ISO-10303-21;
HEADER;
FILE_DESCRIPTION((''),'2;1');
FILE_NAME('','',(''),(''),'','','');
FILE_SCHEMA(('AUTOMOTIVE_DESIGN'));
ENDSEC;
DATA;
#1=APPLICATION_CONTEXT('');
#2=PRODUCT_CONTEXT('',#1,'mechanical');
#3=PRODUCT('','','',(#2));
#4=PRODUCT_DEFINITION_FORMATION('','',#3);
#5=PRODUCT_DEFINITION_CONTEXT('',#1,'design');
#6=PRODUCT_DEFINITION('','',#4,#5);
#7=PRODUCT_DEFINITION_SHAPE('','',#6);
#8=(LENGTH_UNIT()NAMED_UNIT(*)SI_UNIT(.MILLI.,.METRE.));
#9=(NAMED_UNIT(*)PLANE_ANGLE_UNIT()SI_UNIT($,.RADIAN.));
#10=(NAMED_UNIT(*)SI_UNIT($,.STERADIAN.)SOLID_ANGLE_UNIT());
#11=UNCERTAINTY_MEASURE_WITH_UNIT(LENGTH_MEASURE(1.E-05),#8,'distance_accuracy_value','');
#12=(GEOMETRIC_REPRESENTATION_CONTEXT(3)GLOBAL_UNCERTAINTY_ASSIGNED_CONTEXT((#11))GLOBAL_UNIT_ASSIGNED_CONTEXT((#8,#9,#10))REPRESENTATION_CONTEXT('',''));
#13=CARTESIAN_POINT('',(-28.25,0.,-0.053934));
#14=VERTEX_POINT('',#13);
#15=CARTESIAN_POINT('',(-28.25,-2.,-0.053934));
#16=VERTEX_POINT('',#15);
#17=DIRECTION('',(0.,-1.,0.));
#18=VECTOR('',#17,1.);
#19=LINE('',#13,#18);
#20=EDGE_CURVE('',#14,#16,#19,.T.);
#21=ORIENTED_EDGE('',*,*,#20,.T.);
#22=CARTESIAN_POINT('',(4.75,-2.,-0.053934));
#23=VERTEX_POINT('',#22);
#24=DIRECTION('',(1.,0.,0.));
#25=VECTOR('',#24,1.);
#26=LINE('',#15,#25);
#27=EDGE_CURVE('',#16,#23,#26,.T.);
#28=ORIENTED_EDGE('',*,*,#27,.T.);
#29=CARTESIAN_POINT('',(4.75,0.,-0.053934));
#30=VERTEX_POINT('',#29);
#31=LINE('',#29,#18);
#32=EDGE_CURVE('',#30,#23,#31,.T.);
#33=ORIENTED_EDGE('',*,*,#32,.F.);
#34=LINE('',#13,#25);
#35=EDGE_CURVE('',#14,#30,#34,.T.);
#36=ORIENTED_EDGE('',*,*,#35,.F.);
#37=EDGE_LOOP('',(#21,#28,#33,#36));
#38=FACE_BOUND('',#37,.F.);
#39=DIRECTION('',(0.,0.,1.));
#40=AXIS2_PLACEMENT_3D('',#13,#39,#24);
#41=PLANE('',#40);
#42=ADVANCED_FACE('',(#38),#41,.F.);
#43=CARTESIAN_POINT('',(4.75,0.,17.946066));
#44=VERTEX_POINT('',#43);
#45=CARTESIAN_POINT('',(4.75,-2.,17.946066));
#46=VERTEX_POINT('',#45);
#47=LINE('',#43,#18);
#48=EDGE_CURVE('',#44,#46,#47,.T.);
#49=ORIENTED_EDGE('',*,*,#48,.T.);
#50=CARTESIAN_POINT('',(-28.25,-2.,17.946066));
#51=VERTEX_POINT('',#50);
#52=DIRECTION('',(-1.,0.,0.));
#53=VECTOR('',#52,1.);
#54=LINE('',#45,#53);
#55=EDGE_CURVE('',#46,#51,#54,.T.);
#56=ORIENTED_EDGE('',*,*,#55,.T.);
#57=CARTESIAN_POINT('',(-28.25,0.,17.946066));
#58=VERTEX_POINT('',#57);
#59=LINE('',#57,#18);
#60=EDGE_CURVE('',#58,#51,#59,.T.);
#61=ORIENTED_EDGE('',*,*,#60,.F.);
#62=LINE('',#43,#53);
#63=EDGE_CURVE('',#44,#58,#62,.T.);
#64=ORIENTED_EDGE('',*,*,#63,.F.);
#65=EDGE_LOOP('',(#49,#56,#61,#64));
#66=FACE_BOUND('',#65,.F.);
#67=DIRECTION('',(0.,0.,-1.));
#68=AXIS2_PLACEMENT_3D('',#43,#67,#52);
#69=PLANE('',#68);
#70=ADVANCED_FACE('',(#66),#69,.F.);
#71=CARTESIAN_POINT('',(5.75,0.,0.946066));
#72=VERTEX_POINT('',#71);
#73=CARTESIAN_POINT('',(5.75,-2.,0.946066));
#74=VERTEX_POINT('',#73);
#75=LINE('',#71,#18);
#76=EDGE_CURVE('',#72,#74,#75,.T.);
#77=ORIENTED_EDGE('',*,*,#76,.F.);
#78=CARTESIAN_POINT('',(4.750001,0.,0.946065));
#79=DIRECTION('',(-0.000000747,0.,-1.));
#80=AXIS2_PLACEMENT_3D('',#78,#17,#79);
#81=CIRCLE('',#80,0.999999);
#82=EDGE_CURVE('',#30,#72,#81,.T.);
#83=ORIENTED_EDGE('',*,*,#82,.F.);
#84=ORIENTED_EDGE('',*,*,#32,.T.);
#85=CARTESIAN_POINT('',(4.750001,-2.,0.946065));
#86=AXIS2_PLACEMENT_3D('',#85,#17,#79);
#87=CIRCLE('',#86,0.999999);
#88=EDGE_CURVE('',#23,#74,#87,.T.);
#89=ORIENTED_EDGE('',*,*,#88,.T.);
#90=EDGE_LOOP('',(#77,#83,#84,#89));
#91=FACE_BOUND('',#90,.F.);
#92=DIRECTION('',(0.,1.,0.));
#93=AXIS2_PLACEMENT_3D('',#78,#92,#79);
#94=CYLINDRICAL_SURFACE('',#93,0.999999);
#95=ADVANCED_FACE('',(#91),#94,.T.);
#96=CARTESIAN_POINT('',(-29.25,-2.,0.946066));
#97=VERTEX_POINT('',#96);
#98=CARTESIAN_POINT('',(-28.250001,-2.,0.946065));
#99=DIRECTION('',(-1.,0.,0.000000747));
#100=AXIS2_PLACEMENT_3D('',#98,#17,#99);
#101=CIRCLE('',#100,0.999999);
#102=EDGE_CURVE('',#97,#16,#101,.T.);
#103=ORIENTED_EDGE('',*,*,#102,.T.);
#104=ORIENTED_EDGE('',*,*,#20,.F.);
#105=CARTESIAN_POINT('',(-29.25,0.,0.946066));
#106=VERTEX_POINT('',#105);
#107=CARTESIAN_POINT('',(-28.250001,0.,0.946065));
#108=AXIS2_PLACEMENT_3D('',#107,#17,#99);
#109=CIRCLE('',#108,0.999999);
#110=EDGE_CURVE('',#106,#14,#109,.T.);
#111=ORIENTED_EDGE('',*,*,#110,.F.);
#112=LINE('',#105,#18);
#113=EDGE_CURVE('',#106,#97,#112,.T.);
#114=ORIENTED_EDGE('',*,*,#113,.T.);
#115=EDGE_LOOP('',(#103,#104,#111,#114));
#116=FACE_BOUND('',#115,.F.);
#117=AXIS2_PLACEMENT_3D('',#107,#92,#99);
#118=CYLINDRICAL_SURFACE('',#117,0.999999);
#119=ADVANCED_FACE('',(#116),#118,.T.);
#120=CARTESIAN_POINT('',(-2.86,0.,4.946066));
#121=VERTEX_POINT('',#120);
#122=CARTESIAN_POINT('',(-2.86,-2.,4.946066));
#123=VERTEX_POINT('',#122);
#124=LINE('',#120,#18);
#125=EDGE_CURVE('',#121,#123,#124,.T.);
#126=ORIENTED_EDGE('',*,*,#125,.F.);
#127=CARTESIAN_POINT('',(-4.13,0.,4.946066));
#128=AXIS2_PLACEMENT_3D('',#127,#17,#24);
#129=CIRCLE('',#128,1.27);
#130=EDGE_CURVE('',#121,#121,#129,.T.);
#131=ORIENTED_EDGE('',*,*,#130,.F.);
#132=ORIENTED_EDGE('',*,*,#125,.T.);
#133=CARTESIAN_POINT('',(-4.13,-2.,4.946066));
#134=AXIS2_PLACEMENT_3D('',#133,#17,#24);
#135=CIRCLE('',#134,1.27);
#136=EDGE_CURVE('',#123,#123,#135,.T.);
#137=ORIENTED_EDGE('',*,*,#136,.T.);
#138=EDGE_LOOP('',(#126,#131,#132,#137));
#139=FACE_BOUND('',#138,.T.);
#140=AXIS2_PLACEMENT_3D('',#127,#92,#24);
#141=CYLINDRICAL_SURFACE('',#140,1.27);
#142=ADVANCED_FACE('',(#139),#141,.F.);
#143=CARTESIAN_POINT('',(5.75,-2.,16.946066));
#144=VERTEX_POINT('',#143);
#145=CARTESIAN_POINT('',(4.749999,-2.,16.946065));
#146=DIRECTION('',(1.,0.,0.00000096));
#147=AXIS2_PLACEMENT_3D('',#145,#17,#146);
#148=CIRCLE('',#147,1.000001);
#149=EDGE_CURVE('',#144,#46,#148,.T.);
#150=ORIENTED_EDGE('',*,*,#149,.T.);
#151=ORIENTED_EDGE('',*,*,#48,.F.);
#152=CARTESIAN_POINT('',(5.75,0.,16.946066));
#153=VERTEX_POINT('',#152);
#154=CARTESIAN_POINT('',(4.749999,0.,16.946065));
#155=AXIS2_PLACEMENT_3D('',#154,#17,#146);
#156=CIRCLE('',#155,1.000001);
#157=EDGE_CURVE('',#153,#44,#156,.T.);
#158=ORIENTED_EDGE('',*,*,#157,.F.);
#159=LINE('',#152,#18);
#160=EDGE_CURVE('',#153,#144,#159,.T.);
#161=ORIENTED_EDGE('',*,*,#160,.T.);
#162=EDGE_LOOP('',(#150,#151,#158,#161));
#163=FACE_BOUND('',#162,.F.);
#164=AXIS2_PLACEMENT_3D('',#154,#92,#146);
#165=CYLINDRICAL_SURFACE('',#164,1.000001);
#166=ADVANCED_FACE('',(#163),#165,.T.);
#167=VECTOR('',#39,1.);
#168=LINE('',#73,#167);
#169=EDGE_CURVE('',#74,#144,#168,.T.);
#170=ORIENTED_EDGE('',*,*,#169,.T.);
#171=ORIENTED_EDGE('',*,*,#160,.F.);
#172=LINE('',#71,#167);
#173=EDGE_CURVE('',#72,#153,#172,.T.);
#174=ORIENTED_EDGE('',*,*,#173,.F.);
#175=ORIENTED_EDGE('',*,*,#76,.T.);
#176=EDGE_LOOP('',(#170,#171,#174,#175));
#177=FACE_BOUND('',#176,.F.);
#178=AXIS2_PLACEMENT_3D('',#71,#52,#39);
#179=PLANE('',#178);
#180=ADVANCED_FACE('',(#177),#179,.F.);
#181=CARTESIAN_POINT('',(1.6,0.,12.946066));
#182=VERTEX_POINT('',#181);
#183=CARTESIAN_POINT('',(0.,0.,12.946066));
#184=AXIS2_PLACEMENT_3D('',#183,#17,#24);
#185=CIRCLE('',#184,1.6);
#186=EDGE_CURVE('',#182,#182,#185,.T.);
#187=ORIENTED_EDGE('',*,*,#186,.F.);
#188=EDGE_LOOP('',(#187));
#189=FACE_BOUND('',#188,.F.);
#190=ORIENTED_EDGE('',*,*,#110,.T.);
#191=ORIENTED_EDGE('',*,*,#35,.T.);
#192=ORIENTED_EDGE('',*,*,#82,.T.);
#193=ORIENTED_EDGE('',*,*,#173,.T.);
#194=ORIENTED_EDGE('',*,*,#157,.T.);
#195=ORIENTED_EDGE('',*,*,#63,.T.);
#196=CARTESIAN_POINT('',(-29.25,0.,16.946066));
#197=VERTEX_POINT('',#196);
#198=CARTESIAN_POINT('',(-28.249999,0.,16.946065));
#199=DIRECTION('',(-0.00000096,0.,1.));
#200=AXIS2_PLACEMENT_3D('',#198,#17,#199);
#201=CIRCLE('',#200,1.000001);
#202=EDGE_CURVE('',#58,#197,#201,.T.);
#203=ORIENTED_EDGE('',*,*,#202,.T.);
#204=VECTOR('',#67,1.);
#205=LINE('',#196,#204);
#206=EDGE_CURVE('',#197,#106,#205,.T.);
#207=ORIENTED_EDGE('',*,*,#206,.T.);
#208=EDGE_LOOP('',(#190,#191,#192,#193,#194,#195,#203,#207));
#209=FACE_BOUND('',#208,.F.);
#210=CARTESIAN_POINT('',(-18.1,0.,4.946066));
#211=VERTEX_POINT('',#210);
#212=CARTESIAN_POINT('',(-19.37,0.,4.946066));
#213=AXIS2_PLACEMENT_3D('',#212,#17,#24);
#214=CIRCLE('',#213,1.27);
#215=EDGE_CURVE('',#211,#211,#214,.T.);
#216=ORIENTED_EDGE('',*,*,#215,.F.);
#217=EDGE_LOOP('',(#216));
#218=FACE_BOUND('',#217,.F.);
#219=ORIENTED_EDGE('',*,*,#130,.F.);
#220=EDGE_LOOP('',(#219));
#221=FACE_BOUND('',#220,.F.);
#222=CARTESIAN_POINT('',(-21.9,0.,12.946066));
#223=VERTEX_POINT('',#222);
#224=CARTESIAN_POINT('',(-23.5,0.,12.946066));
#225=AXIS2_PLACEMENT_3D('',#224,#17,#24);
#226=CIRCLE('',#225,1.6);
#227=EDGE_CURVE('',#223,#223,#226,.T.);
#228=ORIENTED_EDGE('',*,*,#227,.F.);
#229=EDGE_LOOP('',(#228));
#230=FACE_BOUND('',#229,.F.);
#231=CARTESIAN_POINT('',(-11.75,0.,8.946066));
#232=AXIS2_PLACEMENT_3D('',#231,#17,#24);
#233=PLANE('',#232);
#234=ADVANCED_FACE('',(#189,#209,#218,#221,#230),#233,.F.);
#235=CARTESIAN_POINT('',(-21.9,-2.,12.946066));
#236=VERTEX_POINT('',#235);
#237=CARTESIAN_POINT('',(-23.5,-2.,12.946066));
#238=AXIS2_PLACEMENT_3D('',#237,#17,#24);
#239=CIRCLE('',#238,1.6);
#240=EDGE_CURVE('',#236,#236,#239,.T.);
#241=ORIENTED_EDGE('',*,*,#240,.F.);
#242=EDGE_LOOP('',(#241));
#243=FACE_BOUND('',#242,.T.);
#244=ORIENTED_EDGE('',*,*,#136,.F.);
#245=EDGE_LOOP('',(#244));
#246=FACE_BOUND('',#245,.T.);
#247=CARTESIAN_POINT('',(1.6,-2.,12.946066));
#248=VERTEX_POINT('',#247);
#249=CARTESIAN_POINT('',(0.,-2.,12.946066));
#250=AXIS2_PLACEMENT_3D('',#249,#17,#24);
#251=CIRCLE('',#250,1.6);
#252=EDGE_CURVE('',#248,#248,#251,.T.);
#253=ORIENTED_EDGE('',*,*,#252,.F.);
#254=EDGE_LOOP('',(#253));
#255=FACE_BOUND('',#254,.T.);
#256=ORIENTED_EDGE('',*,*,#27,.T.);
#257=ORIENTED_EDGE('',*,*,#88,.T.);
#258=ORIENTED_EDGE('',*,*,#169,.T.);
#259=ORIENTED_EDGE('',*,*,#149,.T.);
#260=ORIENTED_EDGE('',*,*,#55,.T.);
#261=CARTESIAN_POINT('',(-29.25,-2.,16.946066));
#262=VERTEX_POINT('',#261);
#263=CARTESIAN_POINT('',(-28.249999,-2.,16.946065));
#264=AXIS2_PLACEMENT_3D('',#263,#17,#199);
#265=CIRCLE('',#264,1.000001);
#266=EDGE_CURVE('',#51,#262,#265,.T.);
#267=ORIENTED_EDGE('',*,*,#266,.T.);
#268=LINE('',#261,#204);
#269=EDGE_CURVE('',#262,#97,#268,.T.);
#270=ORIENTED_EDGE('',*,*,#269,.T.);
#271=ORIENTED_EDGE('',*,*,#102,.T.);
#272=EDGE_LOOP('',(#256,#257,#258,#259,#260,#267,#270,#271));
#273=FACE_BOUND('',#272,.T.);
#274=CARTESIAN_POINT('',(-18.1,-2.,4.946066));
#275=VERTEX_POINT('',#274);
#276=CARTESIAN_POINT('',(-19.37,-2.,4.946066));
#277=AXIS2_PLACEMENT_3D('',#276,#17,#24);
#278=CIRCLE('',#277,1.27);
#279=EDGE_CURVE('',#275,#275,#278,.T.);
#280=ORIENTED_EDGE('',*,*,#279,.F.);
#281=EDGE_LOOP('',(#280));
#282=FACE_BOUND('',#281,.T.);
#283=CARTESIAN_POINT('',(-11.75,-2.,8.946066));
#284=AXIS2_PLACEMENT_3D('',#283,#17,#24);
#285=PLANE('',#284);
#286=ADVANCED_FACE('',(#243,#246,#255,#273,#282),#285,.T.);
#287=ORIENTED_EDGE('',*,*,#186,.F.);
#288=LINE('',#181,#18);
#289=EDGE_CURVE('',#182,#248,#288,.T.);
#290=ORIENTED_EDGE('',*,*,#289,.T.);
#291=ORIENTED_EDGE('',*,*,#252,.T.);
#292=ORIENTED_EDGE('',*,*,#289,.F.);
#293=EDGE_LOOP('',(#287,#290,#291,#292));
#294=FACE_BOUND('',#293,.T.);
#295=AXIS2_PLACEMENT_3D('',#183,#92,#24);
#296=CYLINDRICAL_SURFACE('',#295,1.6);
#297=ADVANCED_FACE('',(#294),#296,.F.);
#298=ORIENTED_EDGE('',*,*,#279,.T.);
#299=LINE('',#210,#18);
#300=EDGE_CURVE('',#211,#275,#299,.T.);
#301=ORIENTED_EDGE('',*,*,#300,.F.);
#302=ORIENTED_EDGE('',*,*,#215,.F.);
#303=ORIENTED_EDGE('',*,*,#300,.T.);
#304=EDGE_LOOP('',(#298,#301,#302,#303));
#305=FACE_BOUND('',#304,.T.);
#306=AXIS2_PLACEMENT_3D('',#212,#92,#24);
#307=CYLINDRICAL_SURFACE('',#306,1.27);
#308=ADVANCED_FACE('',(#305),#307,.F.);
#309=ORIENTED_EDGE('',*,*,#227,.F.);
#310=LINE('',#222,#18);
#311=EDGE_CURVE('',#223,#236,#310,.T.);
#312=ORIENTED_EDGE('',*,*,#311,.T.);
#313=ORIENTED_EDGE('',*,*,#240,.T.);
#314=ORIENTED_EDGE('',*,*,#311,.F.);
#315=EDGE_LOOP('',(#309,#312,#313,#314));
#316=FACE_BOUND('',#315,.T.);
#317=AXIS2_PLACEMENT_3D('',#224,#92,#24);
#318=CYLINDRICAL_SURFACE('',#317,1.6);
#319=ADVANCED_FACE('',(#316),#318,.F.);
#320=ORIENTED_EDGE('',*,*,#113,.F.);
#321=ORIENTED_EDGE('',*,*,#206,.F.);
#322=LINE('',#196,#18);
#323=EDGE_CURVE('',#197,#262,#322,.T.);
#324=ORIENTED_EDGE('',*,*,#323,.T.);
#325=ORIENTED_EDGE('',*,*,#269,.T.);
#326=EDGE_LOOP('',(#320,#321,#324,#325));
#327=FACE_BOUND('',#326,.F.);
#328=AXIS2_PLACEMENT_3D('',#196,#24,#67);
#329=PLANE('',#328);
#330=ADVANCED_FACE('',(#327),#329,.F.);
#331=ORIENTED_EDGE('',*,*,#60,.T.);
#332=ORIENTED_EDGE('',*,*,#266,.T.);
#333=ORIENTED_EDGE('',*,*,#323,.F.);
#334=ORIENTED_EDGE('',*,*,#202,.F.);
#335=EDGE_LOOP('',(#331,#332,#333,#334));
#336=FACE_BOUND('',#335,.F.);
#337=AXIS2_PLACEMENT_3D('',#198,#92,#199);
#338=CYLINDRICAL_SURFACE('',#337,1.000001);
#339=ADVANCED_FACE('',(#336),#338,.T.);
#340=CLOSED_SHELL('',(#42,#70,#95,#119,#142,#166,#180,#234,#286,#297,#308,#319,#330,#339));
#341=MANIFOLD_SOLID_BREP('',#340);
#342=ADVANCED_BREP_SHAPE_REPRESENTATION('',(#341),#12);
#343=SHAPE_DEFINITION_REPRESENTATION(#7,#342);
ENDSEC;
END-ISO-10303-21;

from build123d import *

# Parameters (mm, degrees)
F0_R     = 1.27
F0_R_2   = 1.6
F1_DEPTH = 2


with BuildPart() as f1:
    # F0 (on Front) → F1 (new body)
    with BuildSketch(Plane.XZ):
        with BuildLine():
            Line((4.75, 17.946066), (-28.25, 17.946066))
            ThreePointArc((-28.25, 17.946066), (-28.957107, 17.653172), (-29.25, 16.946066))
            Line((-29.25, 16.946066), (-29.25, 0.946066))
            ThreePointArc((-29.25, 0.946066), (-28.957107, 0.238959), (-28.25, -0.053934))
            Line((-28.25, -0.053934), (4.75, -0.053934))
            ThreePointArc((4.75, -0.053934), (5.457107, 0.238959), (5.75, 0.946066))
            Line((5.75, 0.946066), (5.75, 16.946066))
            ThreePointArc((5.75, 16.946066), (5.457107, 17.653172), (4.75, 17.946066))
        make_face()
        with Locations((-19.37, 4.946066)):
            Circle(F0_R, mode=Mode.SUBTRACT)
        with Locations((-4.13, 4.946066)):
            Circle(F0_R, mode=Mode.SUBTRACT)
        with Locations((-23.5, 12.946066)):
            Circle(F0_R_2, mode=Mode.SUBTRACT)
        with Locations((0, 12.946066)):
            Circle(F0_R_2, mode=Mode.SUBTRACT)
    extrude(amount=F1_DEPTH)


solid = f1.part
